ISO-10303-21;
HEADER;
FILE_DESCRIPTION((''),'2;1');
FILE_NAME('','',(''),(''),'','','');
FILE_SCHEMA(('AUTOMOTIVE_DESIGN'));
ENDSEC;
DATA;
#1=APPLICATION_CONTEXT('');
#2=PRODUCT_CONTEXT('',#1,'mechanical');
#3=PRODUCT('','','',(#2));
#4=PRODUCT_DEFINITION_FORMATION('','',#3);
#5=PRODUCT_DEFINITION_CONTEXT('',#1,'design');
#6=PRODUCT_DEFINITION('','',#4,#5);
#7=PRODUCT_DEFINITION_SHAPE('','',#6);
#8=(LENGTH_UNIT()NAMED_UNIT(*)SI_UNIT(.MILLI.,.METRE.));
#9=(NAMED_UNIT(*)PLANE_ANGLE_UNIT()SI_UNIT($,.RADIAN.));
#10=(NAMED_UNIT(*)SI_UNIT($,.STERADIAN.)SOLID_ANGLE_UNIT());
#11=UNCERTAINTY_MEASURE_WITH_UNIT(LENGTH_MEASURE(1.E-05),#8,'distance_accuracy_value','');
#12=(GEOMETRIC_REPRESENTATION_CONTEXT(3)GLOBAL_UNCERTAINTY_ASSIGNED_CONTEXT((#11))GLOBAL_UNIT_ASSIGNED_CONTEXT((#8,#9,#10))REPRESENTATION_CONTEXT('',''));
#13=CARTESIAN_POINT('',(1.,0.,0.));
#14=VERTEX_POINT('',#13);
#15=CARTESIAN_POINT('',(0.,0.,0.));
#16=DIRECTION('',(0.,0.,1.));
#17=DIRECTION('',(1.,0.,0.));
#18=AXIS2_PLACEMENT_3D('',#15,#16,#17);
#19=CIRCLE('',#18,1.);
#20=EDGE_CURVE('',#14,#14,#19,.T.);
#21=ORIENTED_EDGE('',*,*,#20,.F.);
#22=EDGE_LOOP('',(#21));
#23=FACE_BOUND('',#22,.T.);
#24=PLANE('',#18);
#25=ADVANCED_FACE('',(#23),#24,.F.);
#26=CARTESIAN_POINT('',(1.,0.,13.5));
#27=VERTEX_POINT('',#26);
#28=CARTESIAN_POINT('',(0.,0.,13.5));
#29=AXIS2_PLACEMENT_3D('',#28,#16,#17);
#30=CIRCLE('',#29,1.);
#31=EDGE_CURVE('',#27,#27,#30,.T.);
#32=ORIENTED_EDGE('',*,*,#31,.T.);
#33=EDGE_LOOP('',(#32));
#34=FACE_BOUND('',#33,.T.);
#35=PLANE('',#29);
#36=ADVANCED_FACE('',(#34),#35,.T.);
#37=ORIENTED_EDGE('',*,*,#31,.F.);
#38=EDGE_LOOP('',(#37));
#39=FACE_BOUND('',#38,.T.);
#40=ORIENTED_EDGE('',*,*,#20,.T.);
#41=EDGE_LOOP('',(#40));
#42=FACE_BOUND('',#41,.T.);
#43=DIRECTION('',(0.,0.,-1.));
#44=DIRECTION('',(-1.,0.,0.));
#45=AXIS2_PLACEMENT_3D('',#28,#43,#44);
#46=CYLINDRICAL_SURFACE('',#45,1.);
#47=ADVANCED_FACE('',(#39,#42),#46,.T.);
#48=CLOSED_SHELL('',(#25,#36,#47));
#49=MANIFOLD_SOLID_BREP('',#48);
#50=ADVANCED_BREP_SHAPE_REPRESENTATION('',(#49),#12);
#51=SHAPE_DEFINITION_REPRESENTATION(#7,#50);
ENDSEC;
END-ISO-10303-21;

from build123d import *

# Parameters (mm, degrees)
SKETCH_1_R      = 1
EXTRUDE_1_DEPTH = 13.5


with BuildPart() as part:
    # 草图1 → 凸台-拉伸1 (new body)
    with BuildSketch(Plane.XY):
        Circle(SKETCH_1_R)
    extrude(amount=EXTRUDE_1_DEPTH)


solid = part.part
